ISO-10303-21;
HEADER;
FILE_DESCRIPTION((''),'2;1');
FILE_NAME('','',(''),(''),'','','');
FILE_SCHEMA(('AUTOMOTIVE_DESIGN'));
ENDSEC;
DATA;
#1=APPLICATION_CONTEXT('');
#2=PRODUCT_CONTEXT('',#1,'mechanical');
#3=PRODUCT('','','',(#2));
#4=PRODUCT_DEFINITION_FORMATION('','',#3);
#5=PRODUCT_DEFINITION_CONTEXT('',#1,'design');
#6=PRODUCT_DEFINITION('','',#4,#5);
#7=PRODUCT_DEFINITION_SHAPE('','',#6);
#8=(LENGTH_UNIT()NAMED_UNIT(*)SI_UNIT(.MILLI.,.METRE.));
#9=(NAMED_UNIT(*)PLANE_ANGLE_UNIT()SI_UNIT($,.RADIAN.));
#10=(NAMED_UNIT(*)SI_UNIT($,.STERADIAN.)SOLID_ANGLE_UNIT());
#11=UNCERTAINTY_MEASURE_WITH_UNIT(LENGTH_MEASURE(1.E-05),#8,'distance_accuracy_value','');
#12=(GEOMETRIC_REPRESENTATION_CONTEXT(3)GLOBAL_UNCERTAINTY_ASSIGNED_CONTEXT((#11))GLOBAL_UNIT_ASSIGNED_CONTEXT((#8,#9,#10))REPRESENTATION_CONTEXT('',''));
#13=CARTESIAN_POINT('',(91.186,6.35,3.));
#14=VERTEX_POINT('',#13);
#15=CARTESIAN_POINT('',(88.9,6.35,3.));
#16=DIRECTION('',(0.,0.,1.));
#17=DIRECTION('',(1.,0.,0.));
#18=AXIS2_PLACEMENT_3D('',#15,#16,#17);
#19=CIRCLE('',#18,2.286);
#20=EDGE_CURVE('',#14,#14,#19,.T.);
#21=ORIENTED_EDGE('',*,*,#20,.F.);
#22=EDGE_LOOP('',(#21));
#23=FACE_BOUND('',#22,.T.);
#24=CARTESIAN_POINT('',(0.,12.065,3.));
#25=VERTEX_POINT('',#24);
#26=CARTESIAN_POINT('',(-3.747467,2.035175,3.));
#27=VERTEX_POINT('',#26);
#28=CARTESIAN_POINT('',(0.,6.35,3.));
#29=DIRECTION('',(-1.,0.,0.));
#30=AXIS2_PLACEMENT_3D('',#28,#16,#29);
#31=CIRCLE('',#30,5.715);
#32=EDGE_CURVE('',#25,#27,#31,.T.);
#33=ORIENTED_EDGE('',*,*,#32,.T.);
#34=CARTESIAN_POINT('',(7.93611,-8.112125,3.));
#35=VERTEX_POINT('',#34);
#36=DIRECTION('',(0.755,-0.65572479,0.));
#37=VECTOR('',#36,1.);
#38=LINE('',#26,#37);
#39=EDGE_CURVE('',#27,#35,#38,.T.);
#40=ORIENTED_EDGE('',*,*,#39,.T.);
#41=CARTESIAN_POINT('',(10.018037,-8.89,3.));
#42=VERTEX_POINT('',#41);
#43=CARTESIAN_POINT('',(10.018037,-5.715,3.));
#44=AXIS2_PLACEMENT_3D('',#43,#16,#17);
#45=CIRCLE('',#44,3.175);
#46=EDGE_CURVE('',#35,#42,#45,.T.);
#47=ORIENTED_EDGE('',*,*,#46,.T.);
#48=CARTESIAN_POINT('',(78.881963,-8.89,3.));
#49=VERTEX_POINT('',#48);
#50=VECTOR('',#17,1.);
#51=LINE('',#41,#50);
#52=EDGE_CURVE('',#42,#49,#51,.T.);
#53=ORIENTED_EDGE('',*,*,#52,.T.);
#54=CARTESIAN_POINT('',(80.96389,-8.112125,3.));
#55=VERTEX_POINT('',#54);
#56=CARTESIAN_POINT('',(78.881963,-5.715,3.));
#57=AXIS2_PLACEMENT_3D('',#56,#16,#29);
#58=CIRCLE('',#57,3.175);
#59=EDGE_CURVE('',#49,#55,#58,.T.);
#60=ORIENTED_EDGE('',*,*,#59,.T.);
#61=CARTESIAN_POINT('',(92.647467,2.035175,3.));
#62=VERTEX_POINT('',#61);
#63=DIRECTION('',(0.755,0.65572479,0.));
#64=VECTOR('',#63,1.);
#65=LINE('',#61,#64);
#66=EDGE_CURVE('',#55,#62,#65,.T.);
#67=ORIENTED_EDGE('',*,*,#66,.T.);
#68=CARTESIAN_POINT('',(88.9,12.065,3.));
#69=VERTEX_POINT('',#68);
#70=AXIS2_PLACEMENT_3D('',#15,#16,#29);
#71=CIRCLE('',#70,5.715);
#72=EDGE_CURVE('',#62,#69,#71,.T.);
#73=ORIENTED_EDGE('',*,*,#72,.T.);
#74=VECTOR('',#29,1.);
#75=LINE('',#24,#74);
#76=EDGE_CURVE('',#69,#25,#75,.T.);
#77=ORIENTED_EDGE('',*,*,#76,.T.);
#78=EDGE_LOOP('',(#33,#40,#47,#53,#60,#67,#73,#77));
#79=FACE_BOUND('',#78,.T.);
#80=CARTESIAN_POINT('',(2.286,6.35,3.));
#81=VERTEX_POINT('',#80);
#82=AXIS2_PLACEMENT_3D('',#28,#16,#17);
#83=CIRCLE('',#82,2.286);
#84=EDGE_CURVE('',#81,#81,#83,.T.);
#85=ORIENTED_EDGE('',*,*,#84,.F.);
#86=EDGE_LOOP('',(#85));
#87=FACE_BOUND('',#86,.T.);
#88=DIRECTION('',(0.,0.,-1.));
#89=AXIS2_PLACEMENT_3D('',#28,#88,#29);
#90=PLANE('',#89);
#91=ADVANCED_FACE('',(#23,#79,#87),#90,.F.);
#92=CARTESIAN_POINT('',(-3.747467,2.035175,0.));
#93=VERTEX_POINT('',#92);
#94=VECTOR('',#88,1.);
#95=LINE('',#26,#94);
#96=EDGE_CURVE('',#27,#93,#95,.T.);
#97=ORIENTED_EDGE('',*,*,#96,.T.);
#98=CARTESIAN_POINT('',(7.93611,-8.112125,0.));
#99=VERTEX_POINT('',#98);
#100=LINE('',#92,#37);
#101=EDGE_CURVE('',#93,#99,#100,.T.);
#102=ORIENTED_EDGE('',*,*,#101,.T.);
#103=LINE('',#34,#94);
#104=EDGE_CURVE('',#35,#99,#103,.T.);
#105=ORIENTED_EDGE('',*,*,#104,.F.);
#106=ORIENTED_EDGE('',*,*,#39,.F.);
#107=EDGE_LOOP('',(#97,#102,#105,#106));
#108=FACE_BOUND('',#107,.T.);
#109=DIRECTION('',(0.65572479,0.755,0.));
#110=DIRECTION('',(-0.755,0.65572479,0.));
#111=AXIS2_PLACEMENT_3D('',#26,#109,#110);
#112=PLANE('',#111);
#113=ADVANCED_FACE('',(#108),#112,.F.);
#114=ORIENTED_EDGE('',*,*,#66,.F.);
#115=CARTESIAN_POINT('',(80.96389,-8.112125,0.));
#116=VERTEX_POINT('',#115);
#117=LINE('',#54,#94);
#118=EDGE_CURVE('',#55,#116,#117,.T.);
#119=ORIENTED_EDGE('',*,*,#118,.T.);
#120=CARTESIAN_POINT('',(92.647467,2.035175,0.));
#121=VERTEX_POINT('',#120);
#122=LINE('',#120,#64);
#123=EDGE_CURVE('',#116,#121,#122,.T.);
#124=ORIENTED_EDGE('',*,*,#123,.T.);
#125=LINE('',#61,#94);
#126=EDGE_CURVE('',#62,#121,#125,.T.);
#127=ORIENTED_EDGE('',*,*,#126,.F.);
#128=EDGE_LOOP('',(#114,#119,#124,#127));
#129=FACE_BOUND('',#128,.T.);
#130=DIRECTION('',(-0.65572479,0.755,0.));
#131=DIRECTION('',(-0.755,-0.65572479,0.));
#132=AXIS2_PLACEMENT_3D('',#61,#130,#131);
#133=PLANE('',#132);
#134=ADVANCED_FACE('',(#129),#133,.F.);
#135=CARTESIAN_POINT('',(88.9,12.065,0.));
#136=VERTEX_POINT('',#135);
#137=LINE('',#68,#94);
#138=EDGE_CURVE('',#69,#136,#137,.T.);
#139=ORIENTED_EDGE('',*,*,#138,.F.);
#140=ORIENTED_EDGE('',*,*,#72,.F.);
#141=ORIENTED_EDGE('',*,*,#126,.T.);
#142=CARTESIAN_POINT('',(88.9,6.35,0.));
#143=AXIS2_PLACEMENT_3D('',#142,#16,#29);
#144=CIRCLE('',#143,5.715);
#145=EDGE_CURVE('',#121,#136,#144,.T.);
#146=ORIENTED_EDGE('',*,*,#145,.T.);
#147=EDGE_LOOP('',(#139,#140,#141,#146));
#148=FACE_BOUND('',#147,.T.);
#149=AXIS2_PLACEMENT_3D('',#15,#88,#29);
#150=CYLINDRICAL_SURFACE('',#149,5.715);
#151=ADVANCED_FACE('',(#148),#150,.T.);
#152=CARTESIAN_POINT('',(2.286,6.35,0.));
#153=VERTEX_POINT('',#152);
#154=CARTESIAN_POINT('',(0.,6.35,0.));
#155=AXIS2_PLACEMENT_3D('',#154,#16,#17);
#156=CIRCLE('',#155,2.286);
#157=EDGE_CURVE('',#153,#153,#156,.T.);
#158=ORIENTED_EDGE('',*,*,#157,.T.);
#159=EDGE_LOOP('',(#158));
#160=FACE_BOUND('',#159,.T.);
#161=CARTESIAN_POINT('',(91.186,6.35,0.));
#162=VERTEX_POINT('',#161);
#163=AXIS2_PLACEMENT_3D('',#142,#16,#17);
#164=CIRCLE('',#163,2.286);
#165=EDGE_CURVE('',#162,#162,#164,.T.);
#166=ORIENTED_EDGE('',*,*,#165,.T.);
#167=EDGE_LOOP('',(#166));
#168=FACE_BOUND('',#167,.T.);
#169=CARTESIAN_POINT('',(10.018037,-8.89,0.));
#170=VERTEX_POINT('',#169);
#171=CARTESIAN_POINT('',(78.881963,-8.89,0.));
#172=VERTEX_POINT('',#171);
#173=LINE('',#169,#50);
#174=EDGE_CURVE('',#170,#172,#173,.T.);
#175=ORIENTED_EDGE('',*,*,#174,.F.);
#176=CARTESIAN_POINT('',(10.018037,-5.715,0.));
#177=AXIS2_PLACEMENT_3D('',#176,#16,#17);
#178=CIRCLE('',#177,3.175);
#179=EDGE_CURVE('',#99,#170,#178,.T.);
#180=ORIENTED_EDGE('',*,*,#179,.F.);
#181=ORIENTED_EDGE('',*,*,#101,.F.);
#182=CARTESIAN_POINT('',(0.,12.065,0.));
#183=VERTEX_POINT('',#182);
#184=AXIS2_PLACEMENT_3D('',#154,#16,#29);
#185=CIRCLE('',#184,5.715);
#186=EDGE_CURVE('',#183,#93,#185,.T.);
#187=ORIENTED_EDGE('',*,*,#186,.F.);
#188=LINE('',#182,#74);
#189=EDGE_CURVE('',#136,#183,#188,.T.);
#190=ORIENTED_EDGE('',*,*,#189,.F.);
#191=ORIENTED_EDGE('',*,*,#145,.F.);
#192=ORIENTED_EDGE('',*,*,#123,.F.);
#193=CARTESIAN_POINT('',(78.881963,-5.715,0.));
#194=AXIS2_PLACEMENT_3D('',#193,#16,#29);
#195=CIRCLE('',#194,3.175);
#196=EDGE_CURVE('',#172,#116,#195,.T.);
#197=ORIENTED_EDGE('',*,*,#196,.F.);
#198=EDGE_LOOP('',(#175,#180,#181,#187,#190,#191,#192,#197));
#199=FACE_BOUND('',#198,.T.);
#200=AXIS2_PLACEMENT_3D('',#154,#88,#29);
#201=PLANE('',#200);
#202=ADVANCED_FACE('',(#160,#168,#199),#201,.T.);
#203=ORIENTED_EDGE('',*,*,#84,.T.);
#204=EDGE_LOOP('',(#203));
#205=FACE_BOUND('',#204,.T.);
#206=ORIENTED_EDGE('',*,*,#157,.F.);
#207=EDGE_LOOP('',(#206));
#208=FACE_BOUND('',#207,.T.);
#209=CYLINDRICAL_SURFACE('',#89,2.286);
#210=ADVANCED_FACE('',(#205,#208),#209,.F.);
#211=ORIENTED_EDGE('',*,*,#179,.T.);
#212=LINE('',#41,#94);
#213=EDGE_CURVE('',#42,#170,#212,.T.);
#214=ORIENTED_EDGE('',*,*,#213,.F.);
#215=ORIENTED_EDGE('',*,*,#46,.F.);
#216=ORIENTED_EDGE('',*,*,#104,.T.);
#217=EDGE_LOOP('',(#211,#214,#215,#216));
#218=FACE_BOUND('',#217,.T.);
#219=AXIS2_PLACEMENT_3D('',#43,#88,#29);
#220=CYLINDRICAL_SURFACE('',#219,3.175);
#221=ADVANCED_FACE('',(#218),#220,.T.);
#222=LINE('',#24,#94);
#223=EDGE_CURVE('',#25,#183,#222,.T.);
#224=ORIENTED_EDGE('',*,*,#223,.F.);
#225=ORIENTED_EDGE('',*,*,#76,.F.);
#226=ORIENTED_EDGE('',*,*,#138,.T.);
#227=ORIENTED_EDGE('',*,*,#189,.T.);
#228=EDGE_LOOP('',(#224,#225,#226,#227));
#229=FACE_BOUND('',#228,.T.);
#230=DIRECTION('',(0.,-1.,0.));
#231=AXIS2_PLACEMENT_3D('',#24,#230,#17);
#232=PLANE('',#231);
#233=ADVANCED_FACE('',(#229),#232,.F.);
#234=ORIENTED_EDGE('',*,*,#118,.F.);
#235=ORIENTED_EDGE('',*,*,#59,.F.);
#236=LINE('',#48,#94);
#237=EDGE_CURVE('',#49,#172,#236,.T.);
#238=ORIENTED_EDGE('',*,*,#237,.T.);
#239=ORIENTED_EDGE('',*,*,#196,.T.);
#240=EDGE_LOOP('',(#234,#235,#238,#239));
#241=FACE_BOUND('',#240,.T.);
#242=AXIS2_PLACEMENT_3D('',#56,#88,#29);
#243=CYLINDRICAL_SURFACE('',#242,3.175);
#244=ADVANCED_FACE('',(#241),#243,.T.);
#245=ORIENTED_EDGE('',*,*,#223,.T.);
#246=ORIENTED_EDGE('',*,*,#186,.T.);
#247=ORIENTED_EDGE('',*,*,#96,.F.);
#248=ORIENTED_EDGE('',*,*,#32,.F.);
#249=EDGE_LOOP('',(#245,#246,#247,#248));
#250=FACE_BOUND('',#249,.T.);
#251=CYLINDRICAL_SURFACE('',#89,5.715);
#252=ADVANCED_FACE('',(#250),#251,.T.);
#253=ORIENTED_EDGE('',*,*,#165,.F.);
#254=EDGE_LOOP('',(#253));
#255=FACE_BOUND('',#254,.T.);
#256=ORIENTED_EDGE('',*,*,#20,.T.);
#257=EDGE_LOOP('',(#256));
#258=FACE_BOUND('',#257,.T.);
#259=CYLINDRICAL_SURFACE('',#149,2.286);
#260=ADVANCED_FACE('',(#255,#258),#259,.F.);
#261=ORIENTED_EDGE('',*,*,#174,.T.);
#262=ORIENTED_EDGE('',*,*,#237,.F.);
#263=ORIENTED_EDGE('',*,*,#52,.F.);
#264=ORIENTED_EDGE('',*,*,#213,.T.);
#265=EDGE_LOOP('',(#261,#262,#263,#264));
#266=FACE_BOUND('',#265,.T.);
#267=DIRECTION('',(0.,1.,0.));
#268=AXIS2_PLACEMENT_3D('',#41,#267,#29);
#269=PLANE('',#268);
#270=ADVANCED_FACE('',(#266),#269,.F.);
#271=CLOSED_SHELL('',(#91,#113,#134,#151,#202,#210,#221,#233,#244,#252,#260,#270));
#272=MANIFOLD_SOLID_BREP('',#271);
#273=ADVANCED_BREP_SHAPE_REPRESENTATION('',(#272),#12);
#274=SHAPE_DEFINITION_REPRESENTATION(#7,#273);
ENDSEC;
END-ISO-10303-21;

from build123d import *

# Parameters (mm, degrees)
SKETCH1_R  = 2.286
MAIN_DEPTH = 3


with BuildPart() as part:
    # Sketch1 → Main (new body)
    with BuildSketch(Plane.XY):
        with BuildLine():
            Line((-3.747467174, 2.035175), (7.936110478, -8.112125))
            ThreePointArc((7.936110478, -8.112125), (8.906786685, -8.689180297), (10.018036685, -8.89))
            Line((10.018036685, -8.89), (78.881963315, -8.89))
            ThreePointArc((78.881963315, -8.89), (79.993213315, -8.689180297), (80.963889522, -8.112125))
            Line((80.963889522, -8.112125), (92.647467174, 2.035175))
            ThreePointArc((92.647467174, 2.035175), (94.253524534, 8.35025), (88.9, 12.065))
            Line((88.9, 12.065), (0, 12.065))
            ThreePointArc((0, 12.065), (-5.353524534, 8.35025), (-3.747467174, 2.035175))
        make_face()
        with Locations((0, 6.35)):
            Circle(SKETCH1_R, mode=Mode.SUBTRACT)
        with Locations((88.9, 6.35)):
            Circle(SKETCH1_R, mode=Mode.SUBTRACT)
    extrude(amount=MAIN_DEPTH)


solid = part.part
